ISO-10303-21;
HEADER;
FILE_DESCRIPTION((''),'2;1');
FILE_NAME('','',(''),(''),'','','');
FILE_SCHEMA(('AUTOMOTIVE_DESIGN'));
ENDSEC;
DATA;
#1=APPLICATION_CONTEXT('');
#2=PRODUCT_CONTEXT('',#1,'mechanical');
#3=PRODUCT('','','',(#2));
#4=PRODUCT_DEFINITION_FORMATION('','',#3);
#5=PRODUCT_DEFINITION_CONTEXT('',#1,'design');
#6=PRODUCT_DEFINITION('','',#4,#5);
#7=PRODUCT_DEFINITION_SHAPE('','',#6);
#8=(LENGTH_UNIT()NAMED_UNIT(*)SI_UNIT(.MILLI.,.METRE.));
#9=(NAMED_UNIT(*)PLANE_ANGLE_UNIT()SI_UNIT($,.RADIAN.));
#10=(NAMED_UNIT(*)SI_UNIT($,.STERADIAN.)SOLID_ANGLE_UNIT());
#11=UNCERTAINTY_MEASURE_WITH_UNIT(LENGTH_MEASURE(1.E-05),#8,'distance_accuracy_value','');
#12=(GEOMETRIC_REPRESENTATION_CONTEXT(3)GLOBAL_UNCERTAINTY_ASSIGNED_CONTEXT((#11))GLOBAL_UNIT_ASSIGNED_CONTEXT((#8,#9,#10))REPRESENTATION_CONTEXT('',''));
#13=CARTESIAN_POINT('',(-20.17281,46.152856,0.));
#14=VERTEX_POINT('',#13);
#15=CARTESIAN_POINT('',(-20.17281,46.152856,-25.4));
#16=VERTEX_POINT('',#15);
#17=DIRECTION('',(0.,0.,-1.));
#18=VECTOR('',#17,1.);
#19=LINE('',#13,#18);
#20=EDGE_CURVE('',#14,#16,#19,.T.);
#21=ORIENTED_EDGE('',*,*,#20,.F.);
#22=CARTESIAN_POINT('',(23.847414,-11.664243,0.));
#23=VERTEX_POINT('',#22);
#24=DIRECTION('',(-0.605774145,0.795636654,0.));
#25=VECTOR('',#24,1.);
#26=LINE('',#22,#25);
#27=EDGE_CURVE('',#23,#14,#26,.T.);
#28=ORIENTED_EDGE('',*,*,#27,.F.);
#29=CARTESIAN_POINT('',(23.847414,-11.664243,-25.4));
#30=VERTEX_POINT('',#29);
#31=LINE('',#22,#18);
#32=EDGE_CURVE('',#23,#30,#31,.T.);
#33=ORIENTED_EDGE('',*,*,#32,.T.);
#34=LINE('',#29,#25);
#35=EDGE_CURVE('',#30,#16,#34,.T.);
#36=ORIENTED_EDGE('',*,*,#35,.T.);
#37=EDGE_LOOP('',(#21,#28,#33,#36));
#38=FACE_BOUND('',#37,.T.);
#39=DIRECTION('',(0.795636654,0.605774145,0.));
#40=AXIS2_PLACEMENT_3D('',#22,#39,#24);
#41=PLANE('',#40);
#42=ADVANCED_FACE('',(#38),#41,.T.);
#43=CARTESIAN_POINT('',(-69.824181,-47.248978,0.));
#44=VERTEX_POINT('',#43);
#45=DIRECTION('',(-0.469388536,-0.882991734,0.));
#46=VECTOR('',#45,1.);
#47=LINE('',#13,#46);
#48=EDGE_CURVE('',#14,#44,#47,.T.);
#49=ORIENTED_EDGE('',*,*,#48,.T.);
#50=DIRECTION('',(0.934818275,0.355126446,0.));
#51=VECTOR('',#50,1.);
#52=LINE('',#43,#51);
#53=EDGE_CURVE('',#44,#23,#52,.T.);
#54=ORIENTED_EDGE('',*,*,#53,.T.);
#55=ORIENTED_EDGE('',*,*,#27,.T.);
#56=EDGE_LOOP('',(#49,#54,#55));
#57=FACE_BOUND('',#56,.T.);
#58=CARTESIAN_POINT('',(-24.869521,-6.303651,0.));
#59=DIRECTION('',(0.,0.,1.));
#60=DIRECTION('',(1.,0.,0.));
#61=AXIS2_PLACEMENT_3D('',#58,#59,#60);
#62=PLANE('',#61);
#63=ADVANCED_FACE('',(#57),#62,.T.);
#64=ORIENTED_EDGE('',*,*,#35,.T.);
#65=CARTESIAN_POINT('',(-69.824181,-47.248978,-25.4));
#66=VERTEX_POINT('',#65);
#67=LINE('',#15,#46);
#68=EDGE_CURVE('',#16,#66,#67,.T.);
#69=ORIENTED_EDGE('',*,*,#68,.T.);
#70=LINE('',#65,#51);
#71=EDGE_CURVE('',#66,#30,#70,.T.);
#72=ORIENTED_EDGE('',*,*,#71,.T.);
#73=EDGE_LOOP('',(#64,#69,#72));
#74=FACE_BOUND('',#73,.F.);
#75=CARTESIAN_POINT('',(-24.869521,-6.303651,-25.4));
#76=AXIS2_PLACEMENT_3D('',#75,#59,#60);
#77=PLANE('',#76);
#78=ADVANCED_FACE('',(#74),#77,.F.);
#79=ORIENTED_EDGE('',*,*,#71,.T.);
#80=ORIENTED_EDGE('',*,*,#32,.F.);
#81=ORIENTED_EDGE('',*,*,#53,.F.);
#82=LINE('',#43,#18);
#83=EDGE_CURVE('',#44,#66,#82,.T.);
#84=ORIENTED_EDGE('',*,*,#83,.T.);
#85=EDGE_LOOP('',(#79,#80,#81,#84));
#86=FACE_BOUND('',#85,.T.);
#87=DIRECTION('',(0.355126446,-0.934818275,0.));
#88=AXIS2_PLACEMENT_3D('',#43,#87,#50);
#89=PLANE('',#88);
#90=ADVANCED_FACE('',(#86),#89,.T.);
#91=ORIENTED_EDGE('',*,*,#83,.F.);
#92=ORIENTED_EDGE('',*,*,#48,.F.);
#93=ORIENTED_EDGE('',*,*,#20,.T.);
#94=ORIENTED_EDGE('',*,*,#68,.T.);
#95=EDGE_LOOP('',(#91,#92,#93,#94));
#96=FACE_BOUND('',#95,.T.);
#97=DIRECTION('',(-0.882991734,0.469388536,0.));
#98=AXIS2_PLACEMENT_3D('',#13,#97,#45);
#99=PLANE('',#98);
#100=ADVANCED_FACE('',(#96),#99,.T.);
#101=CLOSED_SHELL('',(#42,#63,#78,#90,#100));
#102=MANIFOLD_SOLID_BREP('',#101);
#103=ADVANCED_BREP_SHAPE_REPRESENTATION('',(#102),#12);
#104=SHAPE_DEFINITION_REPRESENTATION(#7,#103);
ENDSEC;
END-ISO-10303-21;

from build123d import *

# Parameters (mm, degrees)
F1_DEPTH = 25.4


with BuildPart() as f1:
    # F0 (on Top) → F1 (new body)
    with BuildSketch(Plane.XY):
        Polygon((-69.824181, -47.248978), (23.847414, -11.664243), (-20.17281, 46.152856), align=None)
    extrude(amount=-F1_DEPTH)


solid = f1.part
